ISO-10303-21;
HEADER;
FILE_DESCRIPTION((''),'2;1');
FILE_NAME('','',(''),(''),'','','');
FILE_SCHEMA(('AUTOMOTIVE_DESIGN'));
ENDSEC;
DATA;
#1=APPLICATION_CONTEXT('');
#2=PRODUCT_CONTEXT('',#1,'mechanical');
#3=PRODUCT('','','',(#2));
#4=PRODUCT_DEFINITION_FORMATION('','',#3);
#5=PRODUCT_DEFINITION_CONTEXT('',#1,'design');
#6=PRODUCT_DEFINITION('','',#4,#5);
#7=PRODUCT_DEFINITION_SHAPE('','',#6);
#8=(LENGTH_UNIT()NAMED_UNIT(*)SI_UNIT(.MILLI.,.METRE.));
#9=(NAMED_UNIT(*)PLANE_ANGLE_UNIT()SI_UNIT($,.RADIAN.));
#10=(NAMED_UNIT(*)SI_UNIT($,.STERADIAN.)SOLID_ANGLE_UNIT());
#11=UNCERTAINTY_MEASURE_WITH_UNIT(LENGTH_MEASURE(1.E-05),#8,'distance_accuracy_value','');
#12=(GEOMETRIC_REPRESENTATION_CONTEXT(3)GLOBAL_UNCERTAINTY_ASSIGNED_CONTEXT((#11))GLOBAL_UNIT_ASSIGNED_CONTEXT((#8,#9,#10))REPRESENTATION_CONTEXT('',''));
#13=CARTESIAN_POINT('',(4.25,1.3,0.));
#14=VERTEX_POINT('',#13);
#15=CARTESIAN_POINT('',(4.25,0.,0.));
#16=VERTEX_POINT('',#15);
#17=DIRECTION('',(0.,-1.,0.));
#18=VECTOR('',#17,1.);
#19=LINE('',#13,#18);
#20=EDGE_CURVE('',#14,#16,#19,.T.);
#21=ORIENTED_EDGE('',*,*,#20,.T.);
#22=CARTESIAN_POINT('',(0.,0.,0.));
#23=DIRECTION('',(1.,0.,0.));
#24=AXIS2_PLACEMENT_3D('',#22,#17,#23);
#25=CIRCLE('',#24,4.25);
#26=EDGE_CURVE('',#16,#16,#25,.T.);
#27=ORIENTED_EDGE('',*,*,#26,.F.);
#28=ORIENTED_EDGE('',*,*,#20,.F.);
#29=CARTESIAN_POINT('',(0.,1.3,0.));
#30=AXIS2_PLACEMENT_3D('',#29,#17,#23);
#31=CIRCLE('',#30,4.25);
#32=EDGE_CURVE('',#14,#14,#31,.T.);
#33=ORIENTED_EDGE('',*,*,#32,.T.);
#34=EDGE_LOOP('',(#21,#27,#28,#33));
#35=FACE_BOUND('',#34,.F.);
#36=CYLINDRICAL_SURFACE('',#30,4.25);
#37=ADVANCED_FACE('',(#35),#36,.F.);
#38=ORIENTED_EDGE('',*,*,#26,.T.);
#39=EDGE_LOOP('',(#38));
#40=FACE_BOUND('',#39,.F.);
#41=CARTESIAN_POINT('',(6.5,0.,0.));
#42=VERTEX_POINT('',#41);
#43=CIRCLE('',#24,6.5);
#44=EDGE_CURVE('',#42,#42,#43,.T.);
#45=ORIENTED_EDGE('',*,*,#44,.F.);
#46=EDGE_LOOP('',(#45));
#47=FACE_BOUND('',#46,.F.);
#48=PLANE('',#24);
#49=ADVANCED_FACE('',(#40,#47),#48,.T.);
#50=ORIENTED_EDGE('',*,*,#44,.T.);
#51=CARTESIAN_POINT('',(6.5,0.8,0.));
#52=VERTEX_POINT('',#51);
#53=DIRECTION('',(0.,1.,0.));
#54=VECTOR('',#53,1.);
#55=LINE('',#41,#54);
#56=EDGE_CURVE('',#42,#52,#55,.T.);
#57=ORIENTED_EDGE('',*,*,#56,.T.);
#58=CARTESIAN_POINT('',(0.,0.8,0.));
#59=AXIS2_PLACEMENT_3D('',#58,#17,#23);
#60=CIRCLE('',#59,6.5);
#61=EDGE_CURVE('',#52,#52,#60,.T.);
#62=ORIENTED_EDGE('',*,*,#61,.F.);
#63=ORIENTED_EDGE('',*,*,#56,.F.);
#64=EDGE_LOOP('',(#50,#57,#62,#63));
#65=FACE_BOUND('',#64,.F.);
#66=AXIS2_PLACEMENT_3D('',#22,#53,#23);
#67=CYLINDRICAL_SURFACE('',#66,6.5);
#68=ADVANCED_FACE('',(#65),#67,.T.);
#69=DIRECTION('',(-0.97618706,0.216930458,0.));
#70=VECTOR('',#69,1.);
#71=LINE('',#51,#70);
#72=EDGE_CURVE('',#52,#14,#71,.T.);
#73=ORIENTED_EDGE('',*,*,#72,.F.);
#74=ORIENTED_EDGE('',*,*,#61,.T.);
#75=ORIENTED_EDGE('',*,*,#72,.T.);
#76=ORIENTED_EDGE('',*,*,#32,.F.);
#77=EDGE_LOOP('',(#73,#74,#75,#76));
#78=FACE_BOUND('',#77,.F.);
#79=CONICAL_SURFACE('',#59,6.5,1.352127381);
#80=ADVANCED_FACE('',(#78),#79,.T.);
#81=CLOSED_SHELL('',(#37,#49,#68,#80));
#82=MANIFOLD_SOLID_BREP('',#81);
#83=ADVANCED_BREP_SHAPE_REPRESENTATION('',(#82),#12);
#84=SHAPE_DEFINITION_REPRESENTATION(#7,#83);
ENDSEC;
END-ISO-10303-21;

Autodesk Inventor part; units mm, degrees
sketch "_____1" plane through (0, 0, 0) normal (0, 0, 1) x (1, 0, 0)
  line L0 (0, -13) -> (0, 13)
  line L1 (4.25, 1.3) -> (4.25, 0)
  line L2 (4.25, 0) -> (6.5, 0)
  line L3 (6.5, 0) -> (6.5, 0.8)
  line L4 (6.5, 0.8) -> (4.25, 1.3)
revolve "Revolution1" add sketch "_____1" angle 360 about axis through (0, -13, 0) along (0, -1, 0)
ref_plane "to_body1_XY" through (0, 0, 0) normal (0, 1, 0) x (1, 0, 0)
ref_plane "to_body1_YZ" through (0, 0, 0) normal (1, 0, 0) x (0, 0, -1)
ref_plane "to_body1_ZX" through (0, 0, 0) normal (0, 0, -1) x (0, 1, 0)
ref_plane "to_bolt2_XY" through (0, 0, 0) normal (0, 1, 0) x (1, 0, 0)
ref_plane "to_bolt2_YZ" through (0, 0, 0) normal (1, 0, 0) x (0, 0, -1)
ref_plane "to_bolt2_ZX" through (0, 0, 0) normal (0, 0, -1) x (0, 1, 0)
properties part number "C-AC-WASHERS-M8"
